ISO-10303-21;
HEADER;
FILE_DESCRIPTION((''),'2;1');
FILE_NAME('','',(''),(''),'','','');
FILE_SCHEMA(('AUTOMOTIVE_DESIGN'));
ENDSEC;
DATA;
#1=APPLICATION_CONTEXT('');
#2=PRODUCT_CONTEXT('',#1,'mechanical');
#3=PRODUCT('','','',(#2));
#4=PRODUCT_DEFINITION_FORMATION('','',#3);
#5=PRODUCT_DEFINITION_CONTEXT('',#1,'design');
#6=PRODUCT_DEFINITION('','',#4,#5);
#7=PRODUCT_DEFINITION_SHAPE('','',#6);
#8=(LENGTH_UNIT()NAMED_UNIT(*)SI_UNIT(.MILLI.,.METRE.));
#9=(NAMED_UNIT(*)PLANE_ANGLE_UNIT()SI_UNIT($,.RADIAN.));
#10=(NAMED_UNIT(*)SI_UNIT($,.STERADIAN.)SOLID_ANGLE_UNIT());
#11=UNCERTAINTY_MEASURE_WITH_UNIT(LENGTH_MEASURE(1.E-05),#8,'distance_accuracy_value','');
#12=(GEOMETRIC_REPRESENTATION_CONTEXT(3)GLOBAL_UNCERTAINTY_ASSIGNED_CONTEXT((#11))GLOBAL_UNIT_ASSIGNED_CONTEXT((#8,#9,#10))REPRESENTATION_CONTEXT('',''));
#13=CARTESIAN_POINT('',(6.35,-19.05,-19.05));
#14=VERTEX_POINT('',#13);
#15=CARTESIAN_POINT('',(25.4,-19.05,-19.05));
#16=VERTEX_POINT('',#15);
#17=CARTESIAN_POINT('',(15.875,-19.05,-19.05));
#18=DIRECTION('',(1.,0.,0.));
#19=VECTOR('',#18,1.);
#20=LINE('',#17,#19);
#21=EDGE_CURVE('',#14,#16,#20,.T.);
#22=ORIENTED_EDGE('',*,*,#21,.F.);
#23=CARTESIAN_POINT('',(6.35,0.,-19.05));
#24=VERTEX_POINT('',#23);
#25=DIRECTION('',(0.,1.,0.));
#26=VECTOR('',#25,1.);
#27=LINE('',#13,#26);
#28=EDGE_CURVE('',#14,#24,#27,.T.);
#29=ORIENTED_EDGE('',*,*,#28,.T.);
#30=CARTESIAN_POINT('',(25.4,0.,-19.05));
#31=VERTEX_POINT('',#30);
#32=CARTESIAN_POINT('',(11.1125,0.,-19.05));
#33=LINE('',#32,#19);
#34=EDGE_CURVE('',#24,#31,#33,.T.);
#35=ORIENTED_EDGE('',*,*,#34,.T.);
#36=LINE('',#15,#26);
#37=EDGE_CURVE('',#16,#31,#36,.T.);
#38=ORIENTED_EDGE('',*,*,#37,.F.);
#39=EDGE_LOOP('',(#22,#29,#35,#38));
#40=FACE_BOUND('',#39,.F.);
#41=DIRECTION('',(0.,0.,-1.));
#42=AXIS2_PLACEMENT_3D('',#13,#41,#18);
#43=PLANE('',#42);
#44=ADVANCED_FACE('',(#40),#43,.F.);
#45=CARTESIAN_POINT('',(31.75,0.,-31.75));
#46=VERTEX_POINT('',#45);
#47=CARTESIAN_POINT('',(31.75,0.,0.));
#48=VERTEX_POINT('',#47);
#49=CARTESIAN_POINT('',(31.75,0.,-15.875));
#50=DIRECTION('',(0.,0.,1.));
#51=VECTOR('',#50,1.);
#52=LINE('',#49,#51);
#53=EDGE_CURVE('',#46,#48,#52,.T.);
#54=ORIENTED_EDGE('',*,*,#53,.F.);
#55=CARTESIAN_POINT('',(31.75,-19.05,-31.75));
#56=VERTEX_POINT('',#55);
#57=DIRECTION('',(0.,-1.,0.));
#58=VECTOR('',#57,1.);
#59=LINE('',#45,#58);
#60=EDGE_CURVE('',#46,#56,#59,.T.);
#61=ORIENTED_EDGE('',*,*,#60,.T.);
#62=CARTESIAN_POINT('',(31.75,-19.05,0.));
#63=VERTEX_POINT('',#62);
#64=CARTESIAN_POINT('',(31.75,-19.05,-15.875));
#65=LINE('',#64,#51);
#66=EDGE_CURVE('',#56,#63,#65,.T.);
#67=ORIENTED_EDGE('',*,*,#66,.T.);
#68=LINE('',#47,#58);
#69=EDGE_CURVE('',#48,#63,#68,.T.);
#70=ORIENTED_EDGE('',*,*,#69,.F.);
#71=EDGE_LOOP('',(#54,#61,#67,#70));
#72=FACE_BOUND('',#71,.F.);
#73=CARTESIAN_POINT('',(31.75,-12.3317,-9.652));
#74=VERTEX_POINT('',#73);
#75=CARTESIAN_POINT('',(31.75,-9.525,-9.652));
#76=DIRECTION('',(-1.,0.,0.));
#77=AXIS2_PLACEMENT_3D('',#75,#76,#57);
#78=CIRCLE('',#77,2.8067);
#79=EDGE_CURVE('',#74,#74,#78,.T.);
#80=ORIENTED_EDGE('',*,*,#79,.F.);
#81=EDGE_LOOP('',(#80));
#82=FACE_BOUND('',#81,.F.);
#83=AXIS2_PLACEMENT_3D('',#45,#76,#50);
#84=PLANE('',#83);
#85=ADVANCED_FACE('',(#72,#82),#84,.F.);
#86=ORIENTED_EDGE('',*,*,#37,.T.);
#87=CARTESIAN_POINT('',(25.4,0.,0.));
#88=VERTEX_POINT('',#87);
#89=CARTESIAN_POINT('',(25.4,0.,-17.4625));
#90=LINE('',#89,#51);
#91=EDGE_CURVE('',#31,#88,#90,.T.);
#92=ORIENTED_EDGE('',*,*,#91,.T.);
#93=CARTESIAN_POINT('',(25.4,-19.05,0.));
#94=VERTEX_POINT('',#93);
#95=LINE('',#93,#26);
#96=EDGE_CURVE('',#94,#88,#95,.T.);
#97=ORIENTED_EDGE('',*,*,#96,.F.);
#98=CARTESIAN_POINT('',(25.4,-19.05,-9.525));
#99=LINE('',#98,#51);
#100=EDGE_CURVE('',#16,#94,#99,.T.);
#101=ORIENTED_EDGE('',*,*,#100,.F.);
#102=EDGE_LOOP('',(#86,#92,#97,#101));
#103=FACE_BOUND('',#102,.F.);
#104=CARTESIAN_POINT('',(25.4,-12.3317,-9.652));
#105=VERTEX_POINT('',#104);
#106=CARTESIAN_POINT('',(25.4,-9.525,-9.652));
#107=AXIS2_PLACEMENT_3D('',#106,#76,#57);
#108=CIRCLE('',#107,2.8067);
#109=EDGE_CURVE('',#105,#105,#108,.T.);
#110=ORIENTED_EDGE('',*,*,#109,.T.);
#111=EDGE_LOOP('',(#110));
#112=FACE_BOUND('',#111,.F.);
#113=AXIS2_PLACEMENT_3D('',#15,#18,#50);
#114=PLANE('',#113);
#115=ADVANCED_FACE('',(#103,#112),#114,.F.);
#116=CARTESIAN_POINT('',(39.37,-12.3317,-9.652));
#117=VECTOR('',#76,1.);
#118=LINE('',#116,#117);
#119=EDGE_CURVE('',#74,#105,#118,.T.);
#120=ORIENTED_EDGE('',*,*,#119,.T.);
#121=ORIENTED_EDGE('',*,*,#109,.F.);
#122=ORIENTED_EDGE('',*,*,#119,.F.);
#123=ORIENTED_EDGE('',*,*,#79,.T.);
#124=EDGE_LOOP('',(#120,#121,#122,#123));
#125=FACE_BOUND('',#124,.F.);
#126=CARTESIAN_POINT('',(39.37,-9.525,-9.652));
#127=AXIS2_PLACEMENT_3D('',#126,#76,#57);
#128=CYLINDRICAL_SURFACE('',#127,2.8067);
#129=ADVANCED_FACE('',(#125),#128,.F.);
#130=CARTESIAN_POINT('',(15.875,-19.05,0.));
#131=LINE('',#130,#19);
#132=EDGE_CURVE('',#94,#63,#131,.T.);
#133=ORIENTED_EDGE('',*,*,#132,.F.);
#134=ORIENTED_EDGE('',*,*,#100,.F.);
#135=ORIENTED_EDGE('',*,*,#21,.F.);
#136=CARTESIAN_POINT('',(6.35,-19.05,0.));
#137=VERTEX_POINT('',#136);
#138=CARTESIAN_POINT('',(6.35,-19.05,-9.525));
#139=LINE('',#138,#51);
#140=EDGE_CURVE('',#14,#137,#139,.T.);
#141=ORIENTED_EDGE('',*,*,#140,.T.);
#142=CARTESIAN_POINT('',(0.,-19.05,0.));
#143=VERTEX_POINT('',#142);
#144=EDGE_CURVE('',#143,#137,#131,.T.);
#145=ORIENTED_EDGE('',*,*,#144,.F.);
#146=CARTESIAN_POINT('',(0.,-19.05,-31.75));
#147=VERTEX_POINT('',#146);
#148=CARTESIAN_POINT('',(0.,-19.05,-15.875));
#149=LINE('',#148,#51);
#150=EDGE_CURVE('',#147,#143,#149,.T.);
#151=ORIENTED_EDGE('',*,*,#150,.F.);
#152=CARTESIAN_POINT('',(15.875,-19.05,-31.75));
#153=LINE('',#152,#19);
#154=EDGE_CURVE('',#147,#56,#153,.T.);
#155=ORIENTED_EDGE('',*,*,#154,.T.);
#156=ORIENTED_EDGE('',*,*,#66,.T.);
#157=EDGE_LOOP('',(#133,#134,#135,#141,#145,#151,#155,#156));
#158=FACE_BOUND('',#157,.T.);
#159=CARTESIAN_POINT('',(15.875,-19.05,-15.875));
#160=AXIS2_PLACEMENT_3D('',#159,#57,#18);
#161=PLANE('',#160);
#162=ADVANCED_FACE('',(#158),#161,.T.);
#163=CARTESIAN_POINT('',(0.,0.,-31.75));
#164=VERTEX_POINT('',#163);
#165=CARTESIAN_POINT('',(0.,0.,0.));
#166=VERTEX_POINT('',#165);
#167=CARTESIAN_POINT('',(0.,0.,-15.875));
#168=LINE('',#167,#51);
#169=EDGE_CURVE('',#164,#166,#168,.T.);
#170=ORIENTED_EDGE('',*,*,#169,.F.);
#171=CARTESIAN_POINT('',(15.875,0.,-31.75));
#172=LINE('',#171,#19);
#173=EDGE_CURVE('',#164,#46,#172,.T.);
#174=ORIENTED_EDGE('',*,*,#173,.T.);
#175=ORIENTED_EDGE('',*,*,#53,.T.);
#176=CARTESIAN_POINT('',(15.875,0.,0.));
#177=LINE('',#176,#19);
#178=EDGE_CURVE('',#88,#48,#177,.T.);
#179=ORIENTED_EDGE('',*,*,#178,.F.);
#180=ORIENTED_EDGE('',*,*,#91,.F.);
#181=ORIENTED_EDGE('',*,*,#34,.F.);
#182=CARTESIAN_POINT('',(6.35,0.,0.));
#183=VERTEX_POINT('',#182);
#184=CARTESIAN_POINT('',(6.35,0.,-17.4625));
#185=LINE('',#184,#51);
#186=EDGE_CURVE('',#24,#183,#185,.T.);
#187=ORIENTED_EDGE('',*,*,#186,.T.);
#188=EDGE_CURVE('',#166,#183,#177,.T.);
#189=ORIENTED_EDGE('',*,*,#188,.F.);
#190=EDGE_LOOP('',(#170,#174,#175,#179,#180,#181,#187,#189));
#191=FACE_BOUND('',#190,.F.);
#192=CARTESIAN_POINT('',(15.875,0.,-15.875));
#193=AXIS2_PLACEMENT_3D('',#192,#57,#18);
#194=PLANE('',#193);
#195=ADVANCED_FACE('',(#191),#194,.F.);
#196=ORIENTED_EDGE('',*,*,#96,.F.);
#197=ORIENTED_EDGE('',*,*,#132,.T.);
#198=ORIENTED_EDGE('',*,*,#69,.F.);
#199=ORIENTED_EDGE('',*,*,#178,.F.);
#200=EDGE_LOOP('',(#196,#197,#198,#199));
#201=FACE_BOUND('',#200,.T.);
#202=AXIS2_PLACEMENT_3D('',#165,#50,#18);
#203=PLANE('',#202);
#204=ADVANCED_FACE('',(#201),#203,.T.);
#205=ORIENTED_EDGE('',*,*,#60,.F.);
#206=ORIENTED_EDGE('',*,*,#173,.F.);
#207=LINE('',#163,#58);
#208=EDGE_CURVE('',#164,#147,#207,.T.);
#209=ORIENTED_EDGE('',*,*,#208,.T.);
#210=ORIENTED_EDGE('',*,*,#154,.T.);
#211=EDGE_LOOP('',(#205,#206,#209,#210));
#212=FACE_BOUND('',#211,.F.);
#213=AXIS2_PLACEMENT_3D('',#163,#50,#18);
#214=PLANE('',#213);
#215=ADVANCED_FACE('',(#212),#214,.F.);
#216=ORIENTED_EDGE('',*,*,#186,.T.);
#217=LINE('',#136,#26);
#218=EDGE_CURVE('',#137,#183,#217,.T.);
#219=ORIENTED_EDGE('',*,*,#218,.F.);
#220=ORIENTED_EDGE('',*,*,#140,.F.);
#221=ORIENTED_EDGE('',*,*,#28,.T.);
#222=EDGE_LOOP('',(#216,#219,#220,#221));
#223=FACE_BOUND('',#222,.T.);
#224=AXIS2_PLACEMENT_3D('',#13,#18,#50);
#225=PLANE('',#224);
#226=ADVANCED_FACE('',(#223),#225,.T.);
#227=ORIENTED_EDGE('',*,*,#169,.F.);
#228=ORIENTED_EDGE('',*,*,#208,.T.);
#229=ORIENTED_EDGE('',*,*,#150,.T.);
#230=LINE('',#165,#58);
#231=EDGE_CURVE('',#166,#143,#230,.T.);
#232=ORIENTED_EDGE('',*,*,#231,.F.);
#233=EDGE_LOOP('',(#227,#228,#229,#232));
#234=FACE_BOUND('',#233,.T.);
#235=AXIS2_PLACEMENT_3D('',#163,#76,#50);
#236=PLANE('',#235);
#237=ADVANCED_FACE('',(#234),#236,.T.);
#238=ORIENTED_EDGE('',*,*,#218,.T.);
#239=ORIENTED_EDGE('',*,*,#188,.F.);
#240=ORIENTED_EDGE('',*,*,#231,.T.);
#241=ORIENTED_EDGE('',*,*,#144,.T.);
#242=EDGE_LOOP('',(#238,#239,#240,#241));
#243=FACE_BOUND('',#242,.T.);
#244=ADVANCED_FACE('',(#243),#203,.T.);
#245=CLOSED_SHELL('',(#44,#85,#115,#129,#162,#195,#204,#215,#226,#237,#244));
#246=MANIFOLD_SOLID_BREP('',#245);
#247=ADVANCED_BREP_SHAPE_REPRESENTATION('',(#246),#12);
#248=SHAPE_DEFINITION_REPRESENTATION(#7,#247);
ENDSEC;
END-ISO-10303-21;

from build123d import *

# Parameters (mm, degrees)
F0_W     = 31.75
F0_H     = 31.75
F1_DEPTH = 19.05
F2_W     = 19.05
F2_H     = 19.05
F3_DEPTH = 19.051
F5_D     = 5.6134
F5_DEPTH = 7.62


with BuildPart() as f1:
    # F0 (on Front) → F1 (new body)
    with BuildSketch(Plane.XZ):
        with Locations((15.875, -15.875)):
            Rectangle(F0_W, F0_H)
    extrude(amount=F1_DEPTH)

    # F2 (on face) → F3 (cut, through all)
    with BuildSketch(Plane.XZ.offset(19.05)):
        with Locations((15.875, -9.525)):
            Rectangle(F2_W, F2_H)
    extrude(amount=-F3_DEPTH, mode=Mode.SUBTRACT)

    # F5
    with Locations(Plane.YZ.offset(31.75)):
        with Locations((-9.525, -9.652)):
            Hole(F5_D / 2, depth=F5_DEPTH)


solid = f1.part
